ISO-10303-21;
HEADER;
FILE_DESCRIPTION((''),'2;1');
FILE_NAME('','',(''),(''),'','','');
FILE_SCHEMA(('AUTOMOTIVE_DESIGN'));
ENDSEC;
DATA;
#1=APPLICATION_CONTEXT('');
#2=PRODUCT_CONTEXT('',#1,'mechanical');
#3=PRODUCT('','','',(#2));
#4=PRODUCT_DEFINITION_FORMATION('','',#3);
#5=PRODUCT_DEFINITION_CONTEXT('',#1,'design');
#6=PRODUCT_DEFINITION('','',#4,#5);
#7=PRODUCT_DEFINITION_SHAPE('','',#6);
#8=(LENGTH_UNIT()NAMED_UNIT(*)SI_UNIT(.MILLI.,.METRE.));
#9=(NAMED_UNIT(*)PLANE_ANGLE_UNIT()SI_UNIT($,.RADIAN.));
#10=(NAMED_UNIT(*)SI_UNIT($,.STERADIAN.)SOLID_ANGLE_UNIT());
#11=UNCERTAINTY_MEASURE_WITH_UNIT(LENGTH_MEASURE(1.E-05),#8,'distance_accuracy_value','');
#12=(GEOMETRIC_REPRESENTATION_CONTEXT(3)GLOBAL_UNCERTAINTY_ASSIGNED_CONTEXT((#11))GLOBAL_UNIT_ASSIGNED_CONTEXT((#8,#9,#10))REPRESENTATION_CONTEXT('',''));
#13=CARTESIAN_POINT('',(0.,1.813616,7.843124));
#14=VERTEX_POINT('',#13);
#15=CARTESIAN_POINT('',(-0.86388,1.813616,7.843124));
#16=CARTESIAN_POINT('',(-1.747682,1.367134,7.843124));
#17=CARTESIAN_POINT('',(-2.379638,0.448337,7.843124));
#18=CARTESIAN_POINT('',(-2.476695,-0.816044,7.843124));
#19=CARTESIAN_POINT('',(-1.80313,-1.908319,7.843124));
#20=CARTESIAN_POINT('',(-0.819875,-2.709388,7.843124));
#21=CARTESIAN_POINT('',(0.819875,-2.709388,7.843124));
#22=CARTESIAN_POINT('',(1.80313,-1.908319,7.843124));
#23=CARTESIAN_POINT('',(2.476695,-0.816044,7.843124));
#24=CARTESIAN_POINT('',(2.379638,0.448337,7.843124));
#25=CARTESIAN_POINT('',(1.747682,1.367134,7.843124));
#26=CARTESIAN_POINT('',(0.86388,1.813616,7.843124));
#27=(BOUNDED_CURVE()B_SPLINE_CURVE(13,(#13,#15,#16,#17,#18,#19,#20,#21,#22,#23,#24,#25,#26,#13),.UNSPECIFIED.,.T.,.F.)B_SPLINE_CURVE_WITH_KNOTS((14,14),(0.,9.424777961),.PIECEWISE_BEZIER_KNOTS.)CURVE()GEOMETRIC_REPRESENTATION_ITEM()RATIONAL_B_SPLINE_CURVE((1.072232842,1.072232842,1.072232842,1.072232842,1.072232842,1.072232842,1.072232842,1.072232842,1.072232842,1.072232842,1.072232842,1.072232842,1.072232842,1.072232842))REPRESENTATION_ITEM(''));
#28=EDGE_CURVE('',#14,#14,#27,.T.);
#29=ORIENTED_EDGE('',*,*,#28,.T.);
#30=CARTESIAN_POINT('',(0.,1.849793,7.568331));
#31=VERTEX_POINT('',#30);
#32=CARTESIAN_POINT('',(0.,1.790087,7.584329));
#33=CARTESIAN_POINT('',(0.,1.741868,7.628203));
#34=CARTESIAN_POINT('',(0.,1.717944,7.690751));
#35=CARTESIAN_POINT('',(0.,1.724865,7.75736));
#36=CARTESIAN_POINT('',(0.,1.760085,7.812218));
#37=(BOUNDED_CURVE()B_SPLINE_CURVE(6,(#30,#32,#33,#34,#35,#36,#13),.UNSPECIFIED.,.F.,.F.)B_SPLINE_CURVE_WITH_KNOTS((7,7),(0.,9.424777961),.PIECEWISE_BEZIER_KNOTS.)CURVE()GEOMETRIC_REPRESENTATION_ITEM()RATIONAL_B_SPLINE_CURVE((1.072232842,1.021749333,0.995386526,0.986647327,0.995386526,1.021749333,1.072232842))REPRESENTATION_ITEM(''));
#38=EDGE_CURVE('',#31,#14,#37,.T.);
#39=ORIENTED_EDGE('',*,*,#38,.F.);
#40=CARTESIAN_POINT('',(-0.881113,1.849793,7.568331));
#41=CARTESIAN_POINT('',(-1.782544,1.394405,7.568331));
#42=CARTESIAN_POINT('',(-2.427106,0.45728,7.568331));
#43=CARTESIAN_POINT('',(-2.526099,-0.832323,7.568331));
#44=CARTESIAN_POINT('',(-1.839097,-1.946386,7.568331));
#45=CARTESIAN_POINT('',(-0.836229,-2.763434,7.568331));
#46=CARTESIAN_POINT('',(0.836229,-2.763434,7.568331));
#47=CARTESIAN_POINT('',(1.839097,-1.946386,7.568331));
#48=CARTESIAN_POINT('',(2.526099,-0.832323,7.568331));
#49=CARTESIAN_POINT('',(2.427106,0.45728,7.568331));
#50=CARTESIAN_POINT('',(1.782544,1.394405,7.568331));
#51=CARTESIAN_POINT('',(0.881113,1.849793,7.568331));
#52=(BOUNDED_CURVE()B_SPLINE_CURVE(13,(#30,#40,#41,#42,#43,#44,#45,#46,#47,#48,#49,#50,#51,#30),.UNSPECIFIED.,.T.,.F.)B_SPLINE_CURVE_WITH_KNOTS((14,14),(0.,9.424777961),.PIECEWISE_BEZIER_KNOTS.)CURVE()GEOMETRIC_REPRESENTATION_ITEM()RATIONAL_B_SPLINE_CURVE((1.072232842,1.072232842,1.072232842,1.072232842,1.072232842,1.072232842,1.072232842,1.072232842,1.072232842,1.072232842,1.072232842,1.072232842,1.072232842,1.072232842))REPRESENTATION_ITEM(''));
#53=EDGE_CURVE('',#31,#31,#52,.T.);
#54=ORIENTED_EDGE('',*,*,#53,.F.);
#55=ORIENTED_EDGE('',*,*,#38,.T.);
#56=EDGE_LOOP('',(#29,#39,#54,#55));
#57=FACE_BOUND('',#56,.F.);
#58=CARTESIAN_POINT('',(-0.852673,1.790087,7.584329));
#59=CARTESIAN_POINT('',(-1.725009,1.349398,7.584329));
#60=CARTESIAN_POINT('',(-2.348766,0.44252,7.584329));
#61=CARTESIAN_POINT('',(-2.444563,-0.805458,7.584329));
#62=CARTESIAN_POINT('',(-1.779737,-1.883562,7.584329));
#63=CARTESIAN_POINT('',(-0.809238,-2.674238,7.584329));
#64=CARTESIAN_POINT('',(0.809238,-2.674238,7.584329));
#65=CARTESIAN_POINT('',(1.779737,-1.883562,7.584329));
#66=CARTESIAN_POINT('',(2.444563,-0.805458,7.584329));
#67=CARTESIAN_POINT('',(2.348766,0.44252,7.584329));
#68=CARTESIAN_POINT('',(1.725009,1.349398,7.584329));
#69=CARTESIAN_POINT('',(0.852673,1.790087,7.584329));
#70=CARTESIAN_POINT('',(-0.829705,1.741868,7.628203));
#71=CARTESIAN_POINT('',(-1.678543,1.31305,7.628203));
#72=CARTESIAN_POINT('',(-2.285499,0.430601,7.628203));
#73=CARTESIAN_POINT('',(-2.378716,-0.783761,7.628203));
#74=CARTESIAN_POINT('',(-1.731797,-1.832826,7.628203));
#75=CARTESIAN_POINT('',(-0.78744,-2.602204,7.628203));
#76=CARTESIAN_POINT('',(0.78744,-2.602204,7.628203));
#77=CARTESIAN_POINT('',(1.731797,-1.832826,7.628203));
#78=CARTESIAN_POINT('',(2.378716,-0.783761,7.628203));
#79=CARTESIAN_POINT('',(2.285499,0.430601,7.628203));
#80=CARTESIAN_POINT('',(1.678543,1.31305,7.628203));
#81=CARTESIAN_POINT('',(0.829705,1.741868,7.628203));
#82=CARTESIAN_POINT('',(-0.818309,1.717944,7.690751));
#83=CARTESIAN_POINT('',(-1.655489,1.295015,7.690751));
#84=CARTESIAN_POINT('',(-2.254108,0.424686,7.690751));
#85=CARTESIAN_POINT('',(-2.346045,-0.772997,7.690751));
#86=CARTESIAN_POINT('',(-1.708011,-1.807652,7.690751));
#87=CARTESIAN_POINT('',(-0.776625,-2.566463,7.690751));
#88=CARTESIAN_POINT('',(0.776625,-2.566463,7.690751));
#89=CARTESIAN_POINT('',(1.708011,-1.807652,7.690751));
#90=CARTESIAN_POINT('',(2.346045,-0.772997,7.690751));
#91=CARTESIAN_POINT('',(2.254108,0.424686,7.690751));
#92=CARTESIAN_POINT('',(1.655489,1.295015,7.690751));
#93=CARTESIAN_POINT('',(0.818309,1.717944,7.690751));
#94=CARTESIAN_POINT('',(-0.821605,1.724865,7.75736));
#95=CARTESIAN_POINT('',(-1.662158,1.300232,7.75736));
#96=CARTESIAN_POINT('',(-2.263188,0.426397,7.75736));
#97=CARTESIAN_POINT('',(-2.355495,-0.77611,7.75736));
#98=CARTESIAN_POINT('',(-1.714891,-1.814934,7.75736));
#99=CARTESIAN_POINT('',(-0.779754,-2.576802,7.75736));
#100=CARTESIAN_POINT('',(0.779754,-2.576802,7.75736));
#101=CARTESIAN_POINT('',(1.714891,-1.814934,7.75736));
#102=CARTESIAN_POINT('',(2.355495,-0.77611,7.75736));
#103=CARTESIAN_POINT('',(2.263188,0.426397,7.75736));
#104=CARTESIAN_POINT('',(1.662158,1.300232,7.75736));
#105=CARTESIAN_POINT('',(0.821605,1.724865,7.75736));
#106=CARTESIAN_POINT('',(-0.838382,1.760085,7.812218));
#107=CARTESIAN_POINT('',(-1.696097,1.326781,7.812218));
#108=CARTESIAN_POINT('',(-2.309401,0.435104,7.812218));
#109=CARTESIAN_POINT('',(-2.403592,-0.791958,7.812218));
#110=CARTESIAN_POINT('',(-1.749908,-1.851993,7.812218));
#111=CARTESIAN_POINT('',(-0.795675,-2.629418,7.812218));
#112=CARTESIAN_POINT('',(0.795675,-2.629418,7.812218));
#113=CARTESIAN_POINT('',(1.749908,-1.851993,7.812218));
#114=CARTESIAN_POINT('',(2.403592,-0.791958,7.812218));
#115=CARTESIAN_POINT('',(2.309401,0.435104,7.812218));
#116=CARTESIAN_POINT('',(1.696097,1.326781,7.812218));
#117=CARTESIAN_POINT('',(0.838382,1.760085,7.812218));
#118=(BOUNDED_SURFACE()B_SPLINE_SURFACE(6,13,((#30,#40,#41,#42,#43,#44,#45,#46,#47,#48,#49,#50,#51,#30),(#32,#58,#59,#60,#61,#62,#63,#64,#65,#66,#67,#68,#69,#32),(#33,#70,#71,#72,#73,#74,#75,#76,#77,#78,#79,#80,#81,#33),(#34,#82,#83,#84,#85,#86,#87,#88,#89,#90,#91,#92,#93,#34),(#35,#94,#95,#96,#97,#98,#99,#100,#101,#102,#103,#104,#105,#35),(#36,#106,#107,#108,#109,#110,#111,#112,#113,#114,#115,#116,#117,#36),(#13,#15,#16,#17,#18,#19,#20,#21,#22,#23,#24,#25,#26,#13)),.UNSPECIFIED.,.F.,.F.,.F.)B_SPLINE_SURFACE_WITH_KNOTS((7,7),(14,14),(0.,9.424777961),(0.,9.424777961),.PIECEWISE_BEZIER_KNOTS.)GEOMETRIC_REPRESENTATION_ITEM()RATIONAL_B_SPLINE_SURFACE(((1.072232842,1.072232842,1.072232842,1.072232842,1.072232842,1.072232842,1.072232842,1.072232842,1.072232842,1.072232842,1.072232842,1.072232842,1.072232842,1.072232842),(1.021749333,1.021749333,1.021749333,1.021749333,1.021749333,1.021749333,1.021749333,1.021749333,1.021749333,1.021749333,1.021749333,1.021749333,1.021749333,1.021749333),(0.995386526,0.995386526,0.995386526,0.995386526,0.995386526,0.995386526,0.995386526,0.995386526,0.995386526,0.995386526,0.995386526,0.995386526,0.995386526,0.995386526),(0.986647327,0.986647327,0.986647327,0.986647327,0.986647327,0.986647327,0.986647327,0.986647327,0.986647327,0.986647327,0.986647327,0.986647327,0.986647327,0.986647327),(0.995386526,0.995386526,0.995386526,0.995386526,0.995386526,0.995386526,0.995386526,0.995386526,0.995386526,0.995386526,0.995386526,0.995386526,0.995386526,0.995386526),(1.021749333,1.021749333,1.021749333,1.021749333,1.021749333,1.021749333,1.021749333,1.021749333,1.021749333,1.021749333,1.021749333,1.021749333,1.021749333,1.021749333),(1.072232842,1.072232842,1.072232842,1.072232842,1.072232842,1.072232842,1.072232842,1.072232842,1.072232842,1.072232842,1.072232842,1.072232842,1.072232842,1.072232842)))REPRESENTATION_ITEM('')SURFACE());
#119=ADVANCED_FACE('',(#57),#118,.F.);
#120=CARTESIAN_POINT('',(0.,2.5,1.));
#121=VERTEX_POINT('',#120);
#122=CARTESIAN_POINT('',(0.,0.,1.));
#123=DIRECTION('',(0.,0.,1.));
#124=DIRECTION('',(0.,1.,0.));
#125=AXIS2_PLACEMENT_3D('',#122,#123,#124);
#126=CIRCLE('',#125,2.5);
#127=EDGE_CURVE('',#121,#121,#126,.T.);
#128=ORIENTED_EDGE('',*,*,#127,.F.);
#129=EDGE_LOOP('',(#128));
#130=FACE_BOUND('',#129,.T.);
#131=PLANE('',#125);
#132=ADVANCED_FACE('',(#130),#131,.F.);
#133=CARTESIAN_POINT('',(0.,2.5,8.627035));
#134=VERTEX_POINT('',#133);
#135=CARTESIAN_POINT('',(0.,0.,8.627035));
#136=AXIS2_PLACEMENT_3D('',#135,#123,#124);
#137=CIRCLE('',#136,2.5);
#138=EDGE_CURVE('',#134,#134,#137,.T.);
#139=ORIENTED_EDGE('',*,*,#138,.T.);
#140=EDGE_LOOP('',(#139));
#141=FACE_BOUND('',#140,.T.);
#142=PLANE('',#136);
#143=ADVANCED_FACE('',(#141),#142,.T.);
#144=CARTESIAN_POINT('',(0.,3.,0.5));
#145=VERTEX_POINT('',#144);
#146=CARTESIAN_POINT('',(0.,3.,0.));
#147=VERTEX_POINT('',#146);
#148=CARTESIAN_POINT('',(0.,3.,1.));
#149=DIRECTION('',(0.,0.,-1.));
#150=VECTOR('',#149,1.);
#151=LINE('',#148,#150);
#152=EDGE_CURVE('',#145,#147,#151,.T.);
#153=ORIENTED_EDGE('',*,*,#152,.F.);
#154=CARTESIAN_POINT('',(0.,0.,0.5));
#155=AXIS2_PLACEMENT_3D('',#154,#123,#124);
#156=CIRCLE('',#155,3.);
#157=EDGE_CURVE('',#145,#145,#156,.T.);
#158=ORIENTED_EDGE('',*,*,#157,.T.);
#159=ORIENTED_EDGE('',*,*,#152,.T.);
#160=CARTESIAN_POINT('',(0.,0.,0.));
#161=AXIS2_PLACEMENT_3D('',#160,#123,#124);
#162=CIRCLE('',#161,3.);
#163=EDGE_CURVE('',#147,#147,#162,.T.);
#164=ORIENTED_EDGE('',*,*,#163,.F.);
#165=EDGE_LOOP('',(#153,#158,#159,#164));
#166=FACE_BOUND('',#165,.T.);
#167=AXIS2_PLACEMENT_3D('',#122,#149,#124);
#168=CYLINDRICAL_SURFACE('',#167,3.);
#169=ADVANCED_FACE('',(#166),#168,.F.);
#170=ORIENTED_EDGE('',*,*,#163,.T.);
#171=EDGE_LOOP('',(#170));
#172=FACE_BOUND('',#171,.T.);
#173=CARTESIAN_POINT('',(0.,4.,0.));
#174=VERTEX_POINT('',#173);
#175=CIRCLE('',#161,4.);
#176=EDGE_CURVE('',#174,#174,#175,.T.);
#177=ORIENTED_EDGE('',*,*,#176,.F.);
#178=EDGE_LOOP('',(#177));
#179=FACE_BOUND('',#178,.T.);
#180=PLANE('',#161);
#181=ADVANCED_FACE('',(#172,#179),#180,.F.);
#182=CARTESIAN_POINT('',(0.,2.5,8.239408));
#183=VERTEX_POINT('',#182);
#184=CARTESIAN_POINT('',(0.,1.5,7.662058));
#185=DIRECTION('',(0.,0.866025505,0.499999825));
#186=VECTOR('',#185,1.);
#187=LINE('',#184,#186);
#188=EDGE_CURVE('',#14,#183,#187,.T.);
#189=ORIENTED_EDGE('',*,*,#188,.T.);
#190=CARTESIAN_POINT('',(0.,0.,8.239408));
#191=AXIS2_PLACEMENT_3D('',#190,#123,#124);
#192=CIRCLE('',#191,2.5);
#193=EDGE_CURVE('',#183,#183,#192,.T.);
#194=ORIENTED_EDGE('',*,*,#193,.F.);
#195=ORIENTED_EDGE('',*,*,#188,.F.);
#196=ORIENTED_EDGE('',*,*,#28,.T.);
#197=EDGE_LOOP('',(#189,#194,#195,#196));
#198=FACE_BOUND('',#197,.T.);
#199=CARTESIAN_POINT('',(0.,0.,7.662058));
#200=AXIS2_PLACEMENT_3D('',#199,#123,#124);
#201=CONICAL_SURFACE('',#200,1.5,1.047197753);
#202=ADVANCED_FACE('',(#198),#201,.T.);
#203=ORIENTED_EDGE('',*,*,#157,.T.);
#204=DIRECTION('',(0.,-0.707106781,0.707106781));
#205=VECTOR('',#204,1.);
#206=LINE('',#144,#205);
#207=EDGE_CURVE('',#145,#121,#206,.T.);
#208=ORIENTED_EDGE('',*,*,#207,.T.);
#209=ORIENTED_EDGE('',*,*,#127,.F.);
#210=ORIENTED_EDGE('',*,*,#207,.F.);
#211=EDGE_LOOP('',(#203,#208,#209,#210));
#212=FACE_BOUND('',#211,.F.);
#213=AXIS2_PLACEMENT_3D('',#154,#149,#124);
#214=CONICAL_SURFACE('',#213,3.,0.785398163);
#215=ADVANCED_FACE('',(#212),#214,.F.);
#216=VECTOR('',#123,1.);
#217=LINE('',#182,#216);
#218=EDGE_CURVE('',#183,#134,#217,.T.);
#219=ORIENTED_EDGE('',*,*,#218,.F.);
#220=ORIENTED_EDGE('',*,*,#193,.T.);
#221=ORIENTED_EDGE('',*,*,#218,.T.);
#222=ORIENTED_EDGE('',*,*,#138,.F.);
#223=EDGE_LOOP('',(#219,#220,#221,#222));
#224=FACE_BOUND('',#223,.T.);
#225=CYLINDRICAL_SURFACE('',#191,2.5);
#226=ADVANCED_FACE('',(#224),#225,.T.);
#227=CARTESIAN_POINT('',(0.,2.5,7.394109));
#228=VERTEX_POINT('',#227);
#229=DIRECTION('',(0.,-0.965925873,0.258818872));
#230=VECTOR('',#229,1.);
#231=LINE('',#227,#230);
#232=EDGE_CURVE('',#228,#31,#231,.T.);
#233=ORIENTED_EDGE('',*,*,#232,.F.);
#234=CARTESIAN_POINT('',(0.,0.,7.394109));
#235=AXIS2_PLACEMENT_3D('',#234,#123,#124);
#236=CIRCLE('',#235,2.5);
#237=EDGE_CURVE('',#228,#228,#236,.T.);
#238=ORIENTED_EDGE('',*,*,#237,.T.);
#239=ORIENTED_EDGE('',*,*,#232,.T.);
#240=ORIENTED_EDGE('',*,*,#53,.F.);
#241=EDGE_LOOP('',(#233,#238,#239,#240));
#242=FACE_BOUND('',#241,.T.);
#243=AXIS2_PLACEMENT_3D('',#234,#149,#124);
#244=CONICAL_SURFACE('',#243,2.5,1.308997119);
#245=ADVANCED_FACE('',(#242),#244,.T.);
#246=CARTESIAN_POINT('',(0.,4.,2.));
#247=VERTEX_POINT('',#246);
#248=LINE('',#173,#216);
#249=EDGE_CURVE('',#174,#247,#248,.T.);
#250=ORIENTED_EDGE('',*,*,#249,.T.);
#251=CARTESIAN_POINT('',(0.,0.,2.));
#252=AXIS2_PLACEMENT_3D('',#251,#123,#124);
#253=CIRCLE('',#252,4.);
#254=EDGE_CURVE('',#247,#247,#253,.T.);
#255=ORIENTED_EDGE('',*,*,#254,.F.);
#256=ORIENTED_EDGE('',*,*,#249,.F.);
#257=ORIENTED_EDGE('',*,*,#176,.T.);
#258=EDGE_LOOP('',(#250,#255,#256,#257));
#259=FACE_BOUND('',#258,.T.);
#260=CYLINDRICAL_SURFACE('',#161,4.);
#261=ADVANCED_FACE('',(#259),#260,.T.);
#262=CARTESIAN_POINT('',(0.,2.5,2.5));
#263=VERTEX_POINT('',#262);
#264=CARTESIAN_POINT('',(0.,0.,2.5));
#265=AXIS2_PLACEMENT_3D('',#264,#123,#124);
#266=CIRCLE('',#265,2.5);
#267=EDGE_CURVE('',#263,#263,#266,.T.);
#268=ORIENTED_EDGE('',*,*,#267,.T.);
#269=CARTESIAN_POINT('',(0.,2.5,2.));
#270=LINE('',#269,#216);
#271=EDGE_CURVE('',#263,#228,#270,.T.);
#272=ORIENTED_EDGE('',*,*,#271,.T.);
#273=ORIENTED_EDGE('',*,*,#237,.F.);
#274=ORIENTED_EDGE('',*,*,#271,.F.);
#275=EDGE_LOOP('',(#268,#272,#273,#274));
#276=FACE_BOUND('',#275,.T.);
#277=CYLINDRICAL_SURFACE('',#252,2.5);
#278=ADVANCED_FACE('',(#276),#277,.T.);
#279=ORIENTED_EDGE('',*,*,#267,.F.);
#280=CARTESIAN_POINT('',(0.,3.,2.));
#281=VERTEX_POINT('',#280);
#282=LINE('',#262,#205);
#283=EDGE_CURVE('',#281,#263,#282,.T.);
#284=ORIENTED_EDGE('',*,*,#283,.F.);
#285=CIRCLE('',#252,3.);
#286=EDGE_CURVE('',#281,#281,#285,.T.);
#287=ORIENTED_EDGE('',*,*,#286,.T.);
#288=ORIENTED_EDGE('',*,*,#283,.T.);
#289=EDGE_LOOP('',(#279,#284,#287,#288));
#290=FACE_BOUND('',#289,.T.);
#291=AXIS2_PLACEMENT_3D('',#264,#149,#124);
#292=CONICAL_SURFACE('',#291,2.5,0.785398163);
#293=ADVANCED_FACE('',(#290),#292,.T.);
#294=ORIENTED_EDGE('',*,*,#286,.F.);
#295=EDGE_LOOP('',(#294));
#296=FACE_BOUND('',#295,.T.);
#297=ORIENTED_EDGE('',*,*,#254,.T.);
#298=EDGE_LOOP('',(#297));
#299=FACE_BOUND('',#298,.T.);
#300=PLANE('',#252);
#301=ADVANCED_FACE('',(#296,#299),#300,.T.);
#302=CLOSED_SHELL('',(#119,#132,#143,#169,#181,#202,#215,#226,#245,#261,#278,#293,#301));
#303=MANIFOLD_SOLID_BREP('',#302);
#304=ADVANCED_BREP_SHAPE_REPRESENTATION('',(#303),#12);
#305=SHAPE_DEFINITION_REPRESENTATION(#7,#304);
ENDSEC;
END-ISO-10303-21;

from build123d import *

# Parameters (mm, degrees)
F2_SIZE = 0.5
F3_R    = 0.15


with BuildPart() as f1:
    # F0 (on Right) → F1 (revolve)
    with BuildSketch(Plane.YZ):
        Polygon((3, 1), (3, 0), (4, 0), (4, 2), (2.5, 2), (2.5, 7.394109), (1.5, 7.662058), (2.5, 8.239408), (2.5, 8.627035), (0, 8.627035), (0, 1), align=None)
    revolve(axis=Axis((0, 0, 18.218487), (0, 0, 1)))

    # F2
    f2_edges = [f1.edges().sort_by_distance(p)[0] for p in [
        (0, -2.5, 2),
        (0, -3, 1),
    ]]
    chamfer(f2_edges, length=F2_SIZE)

    # F3
    f3_edges = [f1.edges().sort_by_distance(p)[0] for p in [
        (0, -1.5, 7.662058),
    ]]
    fillet(f3_edges, radius=F3_R)


solid = f1.part
